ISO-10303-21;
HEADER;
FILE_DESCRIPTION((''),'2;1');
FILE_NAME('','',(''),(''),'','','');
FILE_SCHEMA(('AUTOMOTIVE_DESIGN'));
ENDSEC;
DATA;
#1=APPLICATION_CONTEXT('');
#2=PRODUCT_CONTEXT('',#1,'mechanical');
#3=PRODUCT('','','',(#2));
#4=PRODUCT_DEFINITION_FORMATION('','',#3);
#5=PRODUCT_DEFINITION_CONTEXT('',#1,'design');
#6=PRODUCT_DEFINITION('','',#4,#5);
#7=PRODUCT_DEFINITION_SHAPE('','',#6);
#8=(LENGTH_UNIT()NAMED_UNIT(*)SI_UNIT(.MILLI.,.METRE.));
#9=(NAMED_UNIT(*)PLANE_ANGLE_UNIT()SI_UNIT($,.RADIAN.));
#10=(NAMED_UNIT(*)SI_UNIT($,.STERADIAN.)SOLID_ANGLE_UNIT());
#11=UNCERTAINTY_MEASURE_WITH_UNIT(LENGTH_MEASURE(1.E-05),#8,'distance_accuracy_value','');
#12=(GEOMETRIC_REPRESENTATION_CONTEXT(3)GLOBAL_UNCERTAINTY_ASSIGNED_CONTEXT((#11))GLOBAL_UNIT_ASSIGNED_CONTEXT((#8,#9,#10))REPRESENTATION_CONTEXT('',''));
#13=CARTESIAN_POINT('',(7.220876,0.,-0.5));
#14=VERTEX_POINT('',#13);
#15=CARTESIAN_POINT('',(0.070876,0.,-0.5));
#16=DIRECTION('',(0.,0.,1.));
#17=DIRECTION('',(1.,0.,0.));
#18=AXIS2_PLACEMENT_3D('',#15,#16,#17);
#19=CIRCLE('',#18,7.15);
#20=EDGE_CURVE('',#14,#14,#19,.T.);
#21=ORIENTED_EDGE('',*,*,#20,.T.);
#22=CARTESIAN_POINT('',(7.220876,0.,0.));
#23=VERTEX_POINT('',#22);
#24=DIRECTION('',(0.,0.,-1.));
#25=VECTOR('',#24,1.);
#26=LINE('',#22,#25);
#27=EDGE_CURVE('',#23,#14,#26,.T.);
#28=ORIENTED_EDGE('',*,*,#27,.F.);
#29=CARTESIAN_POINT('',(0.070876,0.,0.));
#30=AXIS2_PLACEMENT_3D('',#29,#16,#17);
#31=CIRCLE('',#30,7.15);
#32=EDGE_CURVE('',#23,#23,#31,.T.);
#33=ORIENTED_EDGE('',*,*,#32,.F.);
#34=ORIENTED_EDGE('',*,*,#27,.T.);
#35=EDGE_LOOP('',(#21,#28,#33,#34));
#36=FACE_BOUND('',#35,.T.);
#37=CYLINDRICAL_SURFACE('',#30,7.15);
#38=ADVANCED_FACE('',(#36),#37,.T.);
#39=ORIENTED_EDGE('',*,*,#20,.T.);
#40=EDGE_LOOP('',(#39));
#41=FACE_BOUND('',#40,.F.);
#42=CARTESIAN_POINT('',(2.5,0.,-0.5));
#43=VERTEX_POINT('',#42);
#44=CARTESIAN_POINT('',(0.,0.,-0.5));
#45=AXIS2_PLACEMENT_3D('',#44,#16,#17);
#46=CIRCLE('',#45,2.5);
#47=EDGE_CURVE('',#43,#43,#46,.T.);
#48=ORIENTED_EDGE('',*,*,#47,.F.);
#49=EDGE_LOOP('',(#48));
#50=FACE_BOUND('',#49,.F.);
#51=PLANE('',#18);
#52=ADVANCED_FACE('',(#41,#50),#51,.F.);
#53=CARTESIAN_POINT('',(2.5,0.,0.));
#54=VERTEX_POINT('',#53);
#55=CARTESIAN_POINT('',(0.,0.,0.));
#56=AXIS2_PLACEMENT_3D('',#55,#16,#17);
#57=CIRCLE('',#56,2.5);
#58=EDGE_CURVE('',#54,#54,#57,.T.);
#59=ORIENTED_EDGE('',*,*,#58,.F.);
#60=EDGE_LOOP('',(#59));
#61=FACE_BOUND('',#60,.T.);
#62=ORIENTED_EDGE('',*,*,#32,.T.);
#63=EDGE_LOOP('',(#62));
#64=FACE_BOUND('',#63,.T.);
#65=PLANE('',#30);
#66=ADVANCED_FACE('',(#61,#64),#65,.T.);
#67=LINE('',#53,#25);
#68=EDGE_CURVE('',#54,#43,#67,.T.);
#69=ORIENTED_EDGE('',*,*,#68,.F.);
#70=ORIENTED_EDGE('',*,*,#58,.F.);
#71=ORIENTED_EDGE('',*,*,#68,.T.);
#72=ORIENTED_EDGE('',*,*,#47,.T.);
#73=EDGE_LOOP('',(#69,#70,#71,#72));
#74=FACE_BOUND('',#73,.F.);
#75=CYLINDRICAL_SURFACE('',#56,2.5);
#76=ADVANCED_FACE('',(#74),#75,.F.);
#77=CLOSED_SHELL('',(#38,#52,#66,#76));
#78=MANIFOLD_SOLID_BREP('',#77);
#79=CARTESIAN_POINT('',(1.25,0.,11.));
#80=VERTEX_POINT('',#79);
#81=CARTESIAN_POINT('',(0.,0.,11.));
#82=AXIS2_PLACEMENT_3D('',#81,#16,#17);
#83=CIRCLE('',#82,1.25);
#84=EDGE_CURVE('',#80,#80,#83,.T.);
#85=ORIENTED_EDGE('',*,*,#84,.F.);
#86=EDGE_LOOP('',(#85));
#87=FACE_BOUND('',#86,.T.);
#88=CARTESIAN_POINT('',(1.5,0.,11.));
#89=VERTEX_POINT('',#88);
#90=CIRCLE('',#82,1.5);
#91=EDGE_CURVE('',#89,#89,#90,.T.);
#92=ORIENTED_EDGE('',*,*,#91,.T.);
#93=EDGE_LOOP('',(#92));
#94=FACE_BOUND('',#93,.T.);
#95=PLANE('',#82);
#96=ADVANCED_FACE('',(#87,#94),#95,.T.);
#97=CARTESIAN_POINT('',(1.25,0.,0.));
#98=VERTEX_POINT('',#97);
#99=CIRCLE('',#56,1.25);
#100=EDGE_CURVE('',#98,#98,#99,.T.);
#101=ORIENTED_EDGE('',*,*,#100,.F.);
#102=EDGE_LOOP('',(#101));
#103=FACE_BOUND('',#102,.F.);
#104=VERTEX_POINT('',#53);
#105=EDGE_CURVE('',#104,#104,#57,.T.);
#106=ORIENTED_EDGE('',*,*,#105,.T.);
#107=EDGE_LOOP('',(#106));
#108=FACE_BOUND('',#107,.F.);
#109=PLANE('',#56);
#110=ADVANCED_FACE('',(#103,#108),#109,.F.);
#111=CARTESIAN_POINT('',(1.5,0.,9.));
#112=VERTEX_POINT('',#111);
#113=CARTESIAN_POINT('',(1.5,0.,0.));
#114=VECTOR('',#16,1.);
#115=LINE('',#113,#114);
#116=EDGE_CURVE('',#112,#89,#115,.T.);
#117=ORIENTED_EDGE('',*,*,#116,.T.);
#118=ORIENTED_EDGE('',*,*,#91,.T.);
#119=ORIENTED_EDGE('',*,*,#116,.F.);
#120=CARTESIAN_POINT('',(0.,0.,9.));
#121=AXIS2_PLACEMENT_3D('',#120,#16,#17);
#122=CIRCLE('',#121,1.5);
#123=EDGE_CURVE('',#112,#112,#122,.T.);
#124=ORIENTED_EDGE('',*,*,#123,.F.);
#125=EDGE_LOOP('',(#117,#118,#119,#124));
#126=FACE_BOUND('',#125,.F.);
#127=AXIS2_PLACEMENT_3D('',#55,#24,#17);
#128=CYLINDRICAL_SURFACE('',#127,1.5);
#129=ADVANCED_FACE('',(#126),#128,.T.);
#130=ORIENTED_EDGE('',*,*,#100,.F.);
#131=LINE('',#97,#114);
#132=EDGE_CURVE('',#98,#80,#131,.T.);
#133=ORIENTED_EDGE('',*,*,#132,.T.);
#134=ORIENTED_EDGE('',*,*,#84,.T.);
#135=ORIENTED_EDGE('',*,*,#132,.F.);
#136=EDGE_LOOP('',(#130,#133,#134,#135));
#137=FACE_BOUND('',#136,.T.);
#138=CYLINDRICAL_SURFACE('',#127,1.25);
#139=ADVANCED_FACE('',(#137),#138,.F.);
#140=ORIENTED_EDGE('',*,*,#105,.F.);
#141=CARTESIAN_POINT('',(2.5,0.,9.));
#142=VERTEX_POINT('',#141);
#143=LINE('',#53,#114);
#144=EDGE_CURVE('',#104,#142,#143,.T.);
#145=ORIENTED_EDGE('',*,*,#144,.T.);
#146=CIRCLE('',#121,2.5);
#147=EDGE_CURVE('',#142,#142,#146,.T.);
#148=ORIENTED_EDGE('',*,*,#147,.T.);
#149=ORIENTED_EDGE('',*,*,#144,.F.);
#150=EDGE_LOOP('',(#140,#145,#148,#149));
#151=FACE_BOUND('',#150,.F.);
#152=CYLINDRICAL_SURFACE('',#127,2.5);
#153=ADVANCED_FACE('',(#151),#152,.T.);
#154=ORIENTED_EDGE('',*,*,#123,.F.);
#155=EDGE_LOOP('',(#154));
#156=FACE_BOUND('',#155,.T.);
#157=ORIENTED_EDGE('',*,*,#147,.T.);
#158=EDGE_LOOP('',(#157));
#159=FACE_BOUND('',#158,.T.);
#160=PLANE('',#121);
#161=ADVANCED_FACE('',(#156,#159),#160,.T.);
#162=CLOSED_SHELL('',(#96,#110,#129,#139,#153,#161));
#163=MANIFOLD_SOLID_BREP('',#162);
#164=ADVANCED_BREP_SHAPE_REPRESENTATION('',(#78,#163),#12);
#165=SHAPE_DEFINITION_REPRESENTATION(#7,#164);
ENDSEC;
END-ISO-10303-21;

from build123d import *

# Parameters (mm, degrees)
F0_R     = 2.5
F0_R_2   = 1.5
F1_DEPTH = 9
F0_R_3   = 1.25
F2_DEPTH = 11
F0_R_4   = 7.15
F3_DEPTH = 0.5


with BuildPart() as f1:
    # F0 (on Top) → F1 (new body)
    with BuildSketch(Plane.XY):
        Circle(F0_R)
        Circle(F0_R_2, mode=Mode.SUBTRACT)
    extrude(amount=F1_DEPTH)

    # F0 (on Top) → F2 (join)
    with BuildSketch(Plane.XY):
        Circle(F0_R_2)
        Circle(F0_R_3, mode=Mode.SUBTRACT)
    extrude(amount=F2_DEPTH)


with BuildPart() as f3:
    # F0 (on Top) → F3 (new body)
    with BuildSketch(Plane.XY):
        with Locations((0.070876, 0)):
            Circle(F0_R_4)
        Circle(F0_R, mode=Mode.SUBTRACT)
    extrude(amount=-F3_DEPTH)


solid = Compound([f1.part, f3.part])
